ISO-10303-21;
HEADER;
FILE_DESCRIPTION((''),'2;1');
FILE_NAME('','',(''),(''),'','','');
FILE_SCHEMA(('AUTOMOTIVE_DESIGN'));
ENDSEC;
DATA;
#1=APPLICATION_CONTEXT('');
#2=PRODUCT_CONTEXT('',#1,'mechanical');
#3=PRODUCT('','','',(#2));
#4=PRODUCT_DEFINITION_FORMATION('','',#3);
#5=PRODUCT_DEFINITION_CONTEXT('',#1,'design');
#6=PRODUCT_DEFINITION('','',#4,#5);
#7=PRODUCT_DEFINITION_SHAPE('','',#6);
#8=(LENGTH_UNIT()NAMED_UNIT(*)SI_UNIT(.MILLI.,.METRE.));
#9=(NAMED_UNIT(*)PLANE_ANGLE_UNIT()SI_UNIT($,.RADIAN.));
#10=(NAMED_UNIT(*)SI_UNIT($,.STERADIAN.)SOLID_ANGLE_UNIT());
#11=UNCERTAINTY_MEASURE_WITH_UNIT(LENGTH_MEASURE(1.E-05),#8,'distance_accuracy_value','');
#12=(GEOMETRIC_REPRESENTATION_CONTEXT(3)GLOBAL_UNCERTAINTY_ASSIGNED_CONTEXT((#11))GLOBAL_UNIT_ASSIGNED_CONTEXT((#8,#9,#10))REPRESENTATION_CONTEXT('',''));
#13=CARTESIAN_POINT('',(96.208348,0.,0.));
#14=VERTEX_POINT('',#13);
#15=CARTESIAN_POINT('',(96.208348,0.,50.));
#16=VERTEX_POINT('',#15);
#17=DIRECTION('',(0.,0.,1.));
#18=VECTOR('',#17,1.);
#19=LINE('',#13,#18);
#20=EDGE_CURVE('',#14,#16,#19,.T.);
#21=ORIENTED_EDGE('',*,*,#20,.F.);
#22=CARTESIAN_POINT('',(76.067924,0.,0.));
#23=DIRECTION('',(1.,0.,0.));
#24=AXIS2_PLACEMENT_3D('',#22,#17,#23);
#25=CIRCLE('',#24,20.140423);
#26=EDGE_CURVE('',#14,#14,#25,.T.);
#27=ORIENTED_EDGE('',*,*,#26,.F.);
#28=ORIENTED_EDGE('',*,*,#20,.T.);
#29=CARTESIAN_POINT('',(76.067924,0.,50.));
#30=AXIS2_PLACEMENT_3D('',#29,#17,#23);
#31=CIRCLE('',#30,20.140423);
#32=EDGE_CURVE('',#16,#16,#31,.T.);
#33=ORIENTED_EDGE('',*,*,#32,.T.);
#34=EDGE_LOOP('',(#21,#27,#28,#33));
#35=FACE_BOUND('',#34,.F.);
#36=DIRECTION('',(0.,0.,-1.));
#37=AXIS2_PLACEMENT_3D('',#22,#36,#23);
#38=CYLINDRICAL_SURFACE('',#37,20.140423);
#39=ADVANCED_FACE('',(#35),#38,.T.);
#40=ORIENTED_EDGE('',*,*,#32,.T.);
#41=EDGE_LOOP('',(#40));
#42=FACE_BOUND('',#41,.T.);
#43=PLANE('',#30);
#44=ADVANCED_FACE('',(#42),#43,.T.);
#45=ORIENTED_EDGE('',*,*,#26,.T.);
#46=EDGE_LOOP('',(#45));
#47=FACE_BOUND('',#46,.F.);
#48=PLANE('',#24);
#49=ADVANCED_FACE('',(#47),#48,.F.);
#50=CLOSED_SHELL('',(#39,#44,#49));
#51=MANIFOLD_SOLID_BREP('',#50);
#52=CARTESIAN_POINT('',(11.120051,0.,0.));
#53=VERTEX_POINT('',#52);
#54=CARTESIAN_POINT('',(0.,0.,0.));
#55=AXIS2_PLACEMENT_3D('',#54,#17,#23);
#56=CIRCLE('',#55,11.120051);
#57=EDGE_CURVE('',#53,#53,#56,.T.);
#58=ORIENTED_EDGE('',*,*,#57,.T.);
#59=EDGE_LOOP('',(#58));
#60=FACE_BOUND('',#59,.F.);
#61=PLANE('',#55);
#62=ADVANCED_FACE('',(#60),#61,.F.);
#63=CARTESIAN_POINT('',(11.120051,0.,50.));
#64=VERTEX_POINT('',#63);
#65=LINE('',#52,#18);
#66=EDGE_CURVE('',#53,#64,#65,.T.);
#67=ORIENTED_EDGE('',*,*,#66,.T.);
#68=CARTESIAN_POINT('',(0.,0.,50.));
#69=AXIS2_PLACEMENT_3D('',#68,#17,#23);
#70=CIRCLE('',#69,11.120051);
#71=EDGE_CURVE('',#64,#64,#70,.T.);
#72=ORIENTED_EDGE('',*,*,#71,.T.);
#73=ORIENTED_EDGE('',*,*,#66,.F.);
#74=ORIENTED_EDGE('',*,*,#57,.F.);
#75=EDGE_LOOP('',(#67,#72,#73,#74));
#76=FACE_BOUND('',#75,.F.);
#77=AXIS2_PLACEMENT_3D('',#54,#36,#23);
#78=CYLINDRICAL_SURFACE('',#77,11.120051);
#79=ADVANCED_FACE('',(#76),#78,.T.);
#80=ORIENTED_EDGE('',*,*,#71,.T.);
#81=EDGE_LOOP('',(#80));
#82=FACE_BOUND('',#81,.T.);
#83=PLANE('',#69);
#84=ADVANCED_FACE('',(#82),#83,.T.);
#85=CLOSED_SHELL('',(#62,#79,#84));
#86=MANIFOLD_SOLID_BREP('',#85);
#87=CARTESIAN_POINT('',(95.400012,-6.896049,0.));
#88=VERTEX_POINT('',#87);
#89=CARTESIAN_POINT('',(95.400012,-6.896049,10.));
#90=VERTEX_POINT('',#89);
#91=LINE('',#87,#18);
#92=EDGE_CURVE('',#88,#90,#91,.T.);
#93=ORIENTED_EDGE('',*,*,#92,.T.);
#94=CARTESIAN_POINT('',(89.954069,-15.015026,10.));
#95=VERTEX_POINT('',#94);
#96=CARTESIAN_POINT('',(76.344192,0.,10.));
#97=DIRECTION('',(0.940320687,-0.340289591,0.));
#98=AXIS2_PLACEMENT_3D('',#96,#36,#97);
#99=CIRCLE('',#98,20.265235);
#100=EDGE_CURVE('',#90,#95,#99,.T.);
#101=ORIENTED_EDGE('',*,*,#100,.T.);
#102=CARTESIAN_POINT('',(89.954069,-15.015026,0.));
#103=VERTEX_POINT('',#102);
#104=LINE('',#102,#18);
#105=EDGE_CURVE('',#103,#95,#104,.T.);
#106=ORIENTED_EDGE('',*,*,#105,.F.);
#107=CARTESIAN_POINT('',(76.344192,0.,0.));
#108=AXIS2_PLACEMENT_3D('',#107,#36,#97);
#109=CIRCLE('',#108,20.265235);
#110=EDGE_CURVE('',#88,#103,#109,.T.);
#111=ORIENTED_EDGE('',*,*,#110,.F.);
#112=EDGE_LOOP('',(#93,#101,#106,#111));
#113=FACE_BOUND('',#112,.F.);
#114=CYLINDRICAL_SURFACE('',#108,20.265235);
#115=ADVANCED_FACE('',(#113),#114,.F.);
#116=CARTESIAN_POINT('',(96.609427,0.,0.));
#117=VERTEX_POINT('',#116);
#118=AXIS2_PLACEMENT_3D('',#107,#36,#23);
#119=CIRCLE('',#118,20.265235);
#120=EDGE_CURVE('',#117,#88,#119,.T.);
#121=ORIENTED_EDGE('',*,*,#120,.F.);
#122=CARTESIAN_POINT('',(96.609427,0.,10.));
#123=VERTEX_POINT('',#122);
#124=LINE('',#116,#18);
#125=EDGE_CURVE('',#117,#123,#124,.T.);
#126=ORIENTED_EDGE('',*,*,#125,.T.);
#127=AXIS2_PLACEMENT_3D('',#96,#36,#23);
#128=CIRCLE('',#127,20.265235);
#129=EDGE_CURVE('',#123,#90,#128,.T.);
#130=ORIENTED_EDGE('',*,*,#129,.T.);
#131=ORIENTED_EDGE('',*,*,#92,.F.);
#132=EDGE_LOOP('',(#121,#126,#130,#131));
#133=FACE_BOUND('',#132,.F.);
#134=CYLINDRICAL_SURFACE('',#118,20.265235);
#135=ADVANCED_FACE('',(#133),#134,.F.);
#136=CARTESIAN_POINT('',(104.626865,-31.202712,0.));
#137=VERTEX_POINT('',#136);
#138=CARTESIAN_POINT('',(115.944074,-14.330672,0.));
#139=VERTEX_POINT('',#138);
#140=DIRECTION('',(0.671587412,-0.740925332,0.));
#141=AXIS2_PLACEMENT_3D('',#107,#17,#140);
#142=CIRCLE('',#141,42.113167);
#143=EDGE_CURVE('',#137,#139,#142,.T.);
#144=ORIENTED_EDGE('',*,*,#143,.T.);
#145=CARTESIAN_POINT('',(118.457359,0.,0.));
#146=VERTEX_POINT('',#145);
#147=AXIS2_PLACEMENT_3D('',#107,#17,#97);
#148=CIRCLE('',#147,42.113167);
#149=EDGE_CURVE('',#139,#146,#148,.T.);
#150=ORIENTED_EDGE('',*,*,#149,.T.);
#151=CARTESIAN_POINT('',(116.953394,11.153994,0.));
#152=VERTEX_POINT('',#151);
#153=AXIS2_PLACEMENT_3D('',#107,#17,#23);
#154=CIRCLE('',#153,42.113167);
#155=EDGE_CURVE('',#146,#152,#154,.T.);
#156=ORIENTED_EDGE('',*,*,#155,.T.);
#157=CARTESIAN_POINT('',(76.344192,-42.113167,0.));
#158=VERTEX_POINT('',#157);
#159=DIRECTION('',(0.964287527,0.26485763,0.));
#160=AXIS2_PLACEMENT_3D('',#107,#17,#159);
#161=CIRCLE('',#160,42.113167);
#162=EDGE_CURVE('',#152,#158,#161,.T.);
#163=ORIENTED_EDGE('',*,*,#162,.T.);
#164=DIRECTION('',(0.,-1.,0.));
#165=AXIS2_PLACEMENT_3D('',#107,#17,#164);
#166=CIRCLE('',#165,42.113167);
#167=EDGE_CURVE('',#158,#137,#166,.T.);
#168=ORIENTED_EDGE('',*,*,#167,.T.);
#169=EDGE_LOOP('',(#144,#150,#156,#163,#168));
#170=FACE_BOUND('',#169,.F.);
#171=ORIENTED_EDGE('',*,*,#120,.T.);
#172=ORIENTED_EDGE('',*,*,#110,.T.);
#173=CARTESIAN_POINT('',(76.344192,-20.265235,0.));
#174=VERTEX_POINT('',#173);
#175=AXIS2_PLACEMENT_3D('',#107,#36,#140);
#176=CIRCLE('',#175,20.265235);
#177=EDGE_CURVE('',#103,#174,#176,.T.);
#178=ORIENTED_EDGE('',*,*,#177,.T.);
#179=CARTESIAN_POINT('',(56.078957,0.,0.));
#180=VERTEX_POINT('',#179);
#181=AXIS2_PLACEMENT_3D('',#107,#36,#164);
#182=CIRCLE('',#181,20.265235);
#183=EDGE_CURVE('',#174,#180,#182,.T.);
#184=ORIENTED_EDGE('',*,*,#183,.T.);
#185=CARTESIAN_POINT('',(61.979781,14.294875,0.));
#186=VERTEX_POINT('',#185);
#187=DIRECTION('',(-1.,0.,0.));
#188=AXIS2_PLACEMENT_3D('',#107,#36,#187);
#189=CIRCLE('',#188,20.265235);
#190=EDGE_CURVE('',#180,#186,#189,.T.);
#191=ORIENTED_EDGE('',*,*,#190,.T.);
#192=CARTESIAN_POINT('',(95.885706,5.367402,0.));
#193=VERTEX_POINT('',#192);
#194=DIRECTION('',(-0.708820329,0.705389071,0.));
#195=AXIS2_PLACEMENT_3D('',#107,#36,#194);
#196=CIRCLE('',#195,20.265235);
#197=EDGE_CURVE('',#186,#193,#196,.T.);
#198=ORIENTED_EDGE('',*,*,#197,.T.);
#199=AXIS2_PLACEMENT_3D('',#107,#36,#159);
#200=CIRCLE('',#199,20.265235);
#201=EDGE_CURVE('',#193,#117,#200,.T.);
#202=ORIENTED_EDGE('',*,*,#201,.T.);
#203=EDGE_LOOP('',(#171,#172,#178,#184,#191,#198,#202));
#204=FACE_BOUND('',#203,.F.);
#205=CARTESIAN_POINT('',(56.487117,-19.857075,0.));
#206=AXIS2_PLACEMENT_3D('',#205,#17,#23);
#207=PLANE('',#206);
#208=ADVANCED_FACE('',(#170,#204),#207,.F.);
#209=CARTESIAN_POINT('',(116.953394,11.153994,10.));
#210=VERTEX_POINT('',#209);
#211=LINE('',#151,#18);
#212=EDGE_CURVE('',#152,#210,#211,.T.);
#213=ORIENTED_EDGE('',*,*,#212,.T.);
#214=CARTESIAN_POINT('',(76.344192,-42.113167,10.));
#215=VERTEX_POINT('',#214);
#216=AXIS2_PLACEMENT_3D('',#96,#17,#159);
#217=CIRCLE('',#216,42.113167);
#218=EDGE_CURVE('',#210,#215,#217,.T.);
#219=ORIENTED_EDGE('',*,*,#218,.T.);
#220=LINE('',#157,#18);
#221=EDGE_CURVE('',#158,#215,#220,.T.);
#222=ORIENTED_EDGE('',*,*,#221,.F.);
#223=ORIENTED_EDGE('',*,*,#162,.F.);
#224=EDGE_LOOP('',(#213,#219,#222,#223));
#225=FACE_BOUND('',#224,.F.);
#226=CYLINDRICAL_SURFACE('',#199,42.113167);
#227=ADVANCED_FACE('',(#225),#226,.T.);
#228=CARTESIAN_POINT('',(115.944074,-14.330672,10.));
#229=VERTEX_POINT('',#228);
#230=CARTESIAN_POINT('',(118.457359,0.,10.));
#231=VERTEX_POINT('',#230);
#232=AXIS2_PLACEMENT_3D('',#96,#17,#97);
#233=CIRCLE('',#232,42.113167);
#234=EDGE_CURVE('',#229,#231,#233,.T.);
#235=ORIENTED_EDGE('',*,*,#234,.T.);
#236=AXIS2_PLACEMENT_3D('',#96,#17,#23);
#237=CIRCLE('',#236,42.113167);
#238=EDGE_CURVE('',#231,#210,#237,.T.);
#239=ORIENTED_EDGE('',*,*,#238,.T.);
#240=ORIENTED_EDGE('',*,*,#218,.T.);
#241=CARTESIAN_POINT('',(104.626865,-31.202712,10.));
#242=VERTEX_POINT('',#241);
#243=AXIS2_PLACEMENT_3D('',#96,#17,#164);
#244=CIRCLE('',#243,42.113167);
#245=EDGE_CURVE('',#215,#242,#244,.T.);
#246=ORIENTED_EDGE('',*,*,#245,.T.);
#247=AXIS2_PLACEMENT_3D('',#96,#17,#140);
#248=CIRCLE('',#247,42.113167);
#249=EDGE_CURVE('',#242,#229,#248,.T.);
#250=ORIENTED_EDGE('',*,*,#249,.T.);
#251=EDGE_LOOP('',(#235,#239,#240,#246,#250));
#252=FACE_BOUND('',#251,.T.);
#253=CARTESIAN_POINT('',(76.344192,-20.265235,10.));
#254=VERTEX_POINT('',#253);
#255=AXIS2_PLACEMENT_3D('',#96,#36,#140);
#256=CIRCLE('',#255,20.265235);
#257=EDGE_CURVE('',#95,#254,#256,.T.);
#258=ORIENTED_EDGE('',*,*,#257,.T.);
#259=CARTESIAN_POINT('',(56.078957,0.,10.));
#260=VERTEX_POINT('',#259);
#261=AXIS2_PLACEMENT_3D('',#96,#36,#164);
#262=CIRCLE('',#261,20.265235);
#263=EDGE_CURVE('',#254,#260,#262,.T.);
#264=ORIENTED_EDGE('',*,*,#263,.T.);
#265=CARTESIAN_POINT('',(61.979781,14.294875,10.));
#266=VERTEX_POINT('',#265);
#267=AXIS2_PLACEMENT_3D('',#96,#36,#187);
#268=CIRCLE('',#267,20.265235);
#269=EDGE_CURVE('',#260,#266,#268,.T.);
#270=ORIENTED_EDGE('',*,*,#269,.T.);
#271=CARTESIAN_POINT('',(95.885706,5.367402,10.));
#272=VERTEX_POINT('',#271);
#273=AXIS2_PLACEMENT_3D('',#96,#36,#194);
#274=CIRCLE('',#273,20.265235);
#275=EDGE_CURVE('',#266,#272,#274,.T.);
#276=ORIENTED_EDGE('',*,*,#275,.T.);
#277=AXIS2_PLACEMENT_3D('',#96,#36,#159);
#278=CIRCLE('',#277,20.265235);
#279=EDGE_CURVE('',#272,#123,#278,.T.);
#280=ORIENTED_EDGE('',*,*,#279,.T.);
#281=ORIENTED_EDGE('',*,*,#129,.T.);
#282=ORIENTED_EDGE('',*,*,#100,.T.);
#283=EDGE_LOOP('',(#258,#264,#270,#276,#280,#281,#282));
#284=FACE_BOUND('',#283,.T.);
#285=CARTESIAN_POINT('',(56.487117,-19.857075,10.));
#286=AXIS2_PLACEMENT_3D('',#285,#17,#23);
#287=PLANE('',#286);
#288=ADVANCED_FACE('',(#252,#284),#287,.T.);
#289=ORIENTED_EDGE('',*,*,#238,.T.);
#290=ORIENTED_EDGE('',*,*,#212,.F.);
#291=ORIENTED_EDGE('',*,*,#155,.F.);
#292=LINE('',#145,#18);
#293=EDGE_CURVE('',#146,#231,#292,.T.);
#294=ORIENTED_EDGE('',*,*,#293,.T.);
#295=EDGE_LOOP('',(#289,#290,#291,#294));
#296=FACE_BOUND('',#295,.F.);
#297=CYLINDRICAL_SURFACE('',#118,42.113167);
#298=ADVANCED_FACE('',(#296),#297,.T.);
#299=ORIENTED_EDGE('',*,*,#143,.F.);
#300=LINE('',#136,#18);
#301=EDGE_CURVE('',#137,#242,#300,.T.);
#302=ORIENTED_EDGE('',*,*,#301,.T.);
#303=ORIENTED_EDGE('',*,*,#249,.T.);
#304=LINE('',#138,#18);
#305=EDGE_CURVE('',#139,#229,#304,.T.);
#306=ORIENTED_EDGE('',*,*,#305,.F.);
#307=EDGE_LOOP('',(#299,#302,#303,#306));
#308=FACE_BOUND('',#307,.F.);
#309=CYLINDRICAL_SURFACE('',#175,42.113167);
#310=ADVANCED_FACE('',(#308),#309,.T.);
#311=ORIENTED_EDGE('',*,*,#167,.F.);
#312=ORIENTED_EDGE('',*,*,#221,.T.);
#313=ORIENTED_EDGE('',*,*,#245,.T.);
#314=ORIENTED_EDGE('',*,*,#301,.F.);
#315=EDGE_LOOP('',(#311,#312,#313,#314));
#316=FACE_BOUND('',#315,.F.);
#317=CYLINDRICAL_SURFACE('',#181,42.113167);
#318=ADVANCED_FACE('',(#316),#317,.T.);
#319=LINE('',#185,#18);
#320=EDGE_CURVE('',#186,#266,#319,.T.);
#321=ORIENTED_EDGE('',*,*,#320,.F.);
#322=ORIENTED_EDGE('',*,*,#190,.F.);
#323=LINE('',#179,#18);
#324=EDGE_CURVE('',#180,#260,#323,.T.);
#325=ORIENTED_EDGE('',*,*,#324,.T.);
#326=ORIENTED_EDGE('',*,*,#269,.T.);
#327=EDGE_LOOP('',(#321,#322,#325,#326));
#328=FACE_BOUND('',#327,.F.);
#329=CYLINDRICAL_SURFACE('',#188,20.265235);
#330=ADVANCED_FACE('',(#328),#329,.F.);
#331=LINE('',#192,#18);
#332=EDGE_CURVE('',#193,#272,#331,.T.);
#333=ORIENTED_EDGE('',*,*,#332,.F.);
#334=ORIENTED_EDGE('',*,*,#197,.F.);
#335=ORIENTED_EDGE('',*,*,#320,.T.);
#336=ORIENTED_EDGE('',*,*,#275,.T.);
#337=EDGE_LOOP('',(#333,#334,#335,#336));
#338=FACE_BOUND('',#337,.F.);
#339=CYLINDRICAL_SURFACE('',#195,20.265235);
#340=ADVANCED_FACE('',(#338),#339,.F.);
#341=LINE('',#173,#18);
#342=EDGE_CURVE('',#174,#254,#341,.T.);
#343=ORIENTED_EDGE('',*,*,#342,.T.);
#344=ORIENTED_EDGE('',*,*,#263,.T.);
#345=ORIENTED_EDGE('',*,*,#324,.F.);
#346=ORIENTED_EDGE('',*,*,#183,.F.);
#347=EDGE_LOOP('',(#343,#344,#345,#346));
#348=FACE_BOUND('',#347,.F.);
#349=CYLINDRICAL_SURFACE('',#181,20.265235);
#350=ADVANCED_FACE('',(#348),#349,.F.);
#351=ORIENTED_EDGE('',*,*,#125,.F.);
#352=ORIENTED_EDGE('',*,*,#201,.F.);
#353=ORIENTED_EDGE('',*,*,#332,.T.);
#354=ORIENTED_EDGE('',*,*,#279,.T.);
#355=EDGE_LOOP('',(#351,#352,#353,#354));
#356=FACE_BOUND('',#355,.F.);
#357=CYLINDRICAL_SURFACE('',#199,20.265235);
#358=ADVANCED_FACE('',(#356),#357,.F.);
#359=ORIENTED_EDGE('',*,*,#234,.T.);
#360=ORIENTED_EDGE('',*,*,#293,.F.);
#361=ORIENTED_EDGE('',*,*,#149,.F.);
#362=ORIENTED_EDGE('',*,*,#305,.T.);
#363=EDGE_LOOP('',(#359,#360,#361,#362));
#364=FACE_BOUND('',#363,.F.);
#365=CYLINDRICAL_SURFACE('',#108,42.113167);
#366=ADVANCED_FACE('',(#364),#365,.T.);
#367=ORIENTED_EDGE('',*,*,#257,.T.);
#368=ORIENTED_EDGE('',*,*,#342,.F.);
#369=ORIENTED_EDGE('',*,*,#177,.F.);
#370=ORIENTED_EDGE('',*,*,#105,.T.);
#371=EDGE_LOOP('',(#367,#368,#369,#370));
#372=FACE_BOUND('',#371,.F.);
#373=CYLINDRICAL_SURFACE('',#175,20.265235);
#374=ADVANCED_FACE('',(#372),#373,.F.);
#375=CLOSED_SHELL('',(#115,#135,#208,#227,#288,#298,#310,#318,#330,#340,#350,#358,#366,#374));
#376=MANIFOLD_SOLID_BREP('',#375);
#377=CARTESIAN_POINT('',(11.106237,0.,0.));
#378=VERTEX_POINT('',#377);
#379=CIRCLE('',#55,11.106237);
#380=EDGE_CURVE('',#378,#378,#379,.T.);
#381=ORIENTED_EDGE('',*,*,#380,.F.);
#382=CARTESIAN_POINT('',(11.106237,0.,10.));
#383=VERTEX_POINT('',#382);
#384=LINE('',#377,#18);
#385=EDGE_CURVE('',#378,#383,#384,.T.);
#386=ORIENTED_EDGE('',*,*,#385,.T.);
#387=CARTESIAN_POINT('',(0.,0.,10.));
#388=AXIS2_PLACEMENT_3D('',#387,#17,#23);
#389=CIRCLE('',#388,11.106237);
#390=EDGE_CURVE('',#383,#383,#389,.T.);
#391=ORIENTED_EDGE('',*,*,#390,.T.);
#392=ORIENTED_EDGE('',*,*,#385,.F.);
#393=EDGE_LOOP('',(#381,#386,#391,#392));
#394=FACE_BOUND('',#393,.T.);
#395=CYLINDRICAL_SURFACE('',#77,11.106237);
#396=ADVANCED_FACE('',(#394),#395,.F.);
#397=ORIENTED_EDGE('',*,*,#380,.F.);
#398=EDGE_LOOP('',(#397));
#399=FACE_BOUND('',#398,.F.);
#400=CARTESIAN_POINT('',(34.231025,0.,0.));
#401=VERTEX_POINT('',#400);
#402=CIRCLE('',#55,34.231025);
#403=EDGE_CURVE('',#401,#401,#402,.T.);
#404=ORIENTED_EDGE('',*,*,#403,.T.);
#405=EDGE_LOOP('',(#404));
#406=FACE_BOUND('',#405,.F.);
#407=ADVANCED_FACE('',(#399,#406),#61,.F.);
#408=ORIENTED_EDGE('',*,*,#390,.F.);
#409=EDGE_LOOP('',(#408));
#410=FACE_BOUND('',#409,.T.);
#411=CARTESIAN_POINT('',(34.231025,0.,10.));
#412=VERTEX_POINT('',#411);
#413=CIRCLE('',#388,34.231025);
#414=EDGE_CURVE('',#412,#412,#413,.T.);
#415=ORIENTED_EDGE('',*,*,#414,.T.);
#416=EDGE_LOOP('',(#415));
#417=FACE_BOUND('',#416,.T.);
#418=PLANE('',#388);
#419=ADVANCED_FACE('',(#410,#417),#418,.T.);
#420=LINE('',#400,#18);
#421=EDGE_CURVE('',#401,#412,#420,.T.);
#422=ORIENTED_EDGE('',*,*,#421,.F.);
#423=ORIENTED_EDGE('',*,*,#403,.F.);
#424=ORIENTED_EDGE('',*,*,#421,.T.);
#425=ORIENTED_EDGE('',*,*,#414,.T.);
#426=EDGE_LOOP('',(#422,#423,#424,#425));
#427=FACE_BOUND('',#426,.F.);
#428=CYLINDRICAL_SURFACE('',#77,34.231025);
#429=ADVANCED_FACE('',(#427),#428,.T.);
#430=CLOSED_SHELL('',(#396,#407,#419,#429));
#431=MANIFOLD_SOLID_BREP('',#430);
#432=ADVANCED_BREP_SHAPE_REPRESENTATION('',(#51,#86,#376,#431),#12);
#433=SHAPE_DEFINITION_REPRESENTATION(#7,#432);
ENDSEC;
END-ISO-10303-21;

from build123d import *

# Parameters (mm, degrees)
F0_R     = 34.2310248754
F0_R_2   = 11.1062371849
F1_DEPTH = 10
F2_R     = 11.1200511456
F3_DEPTH = 50
F2_R_2   = 20.1404233558


with BuildPart() as f1:
    # F0 (on Top) → F1 (new body)
    with BuildSketch(Plane.XY):
        Circle(F0_R)
        Circle(F0_R_2, mode=Mode.SUBTRACT)
    extrude(amount=F1_DEPTH)


with BuildPart() as f1b:
    # F0 (on Top) → F1, piece 2 (new body)
    with BuildSketch(Plane.XY):
        with BuildLine():
            Line((56.0789567465, 0), (34.2310248754, 0))
            ThreePointArc((34.2310248754, 0), (46.5656859572, -29.7785060709), (76.344192028, -42.1131671526))
            Line((76.344192028, -42.1131671526), (76.344192028, -20.2652352815))
            ThreePointArc((76.344192028, -20.2652352815), (62.0145067381, -14.3296852899), (56.0789567465, 0))
        make_face()
        with BuildLine():
            ThreePointArc((46.4935230312, 29.7061678455), (37.4171765972, 16.0687994969), (34.2310248754, 0))
            Line((34.2310248754, 0), (56.0789567465, 0))
            ThreePointArc((56.0789567465, 0), (57.6121616477, 7.7324510246), (61.9797812883, 14.2948754845))
            Line((61.9797812883, 14.2948754845), (46.4935230312, 29.7061678455))
        make_face()
        with BuildLine():
            Line((76.344192028, -20.2652352815), (76.344192028, -42.1131671526))
            ThreePointArc((76.344192028, -42.1131671526), (91.5012663794, -39.2909906306), (104.6268649587, -31.2027123744))
            Line((104.6268649587, -31.2027123744), (89.9540689403, -15.0150261888))
            ThreePointArc((89.9540689403, -15.0150261888), (83.6379127021, -18.9071785242), (76.344192028, -20.2652352815))
        make_face()
        with BuildLine():
            ThreePointArc((91.2459690531, 39.3885248406), (67.4388929292, 41.1608369155), (46.4935230312, 29.7061678455))
            Line((46.4935230312, 29.7061678455), (61.9797812883, 14.2948754845))
            ThreePointArc((61.9797812883, 14.2948754845), (72.0588819055, 19.8069653953), (83.5150613296, 18.9541128644))
            Line((83.5150613296, 18.9541128644), (91.2459690531, 39.3885248406))
        make_face()
        with BuildLine():
            Line((89.9540689403, -15.0150261888), (104.6268649587, -31.2027123744))
            ThreePointArc((104.6268649587, -31.2027123744), (111.3181360131, -23.4593710434), (115.9440742914, -14.330672432))
            Line((115.9440742914, -14.330672432), (95.4000119876, -6.8960486283))
            ThreePointArc((95.4000119876, -6.8960486283), (93.1739688295, -11.2888606081), (89.9540689403, -15.0150261888))
        make_face()
        with BuildLine():
            ThreePointArc((116.9533938564, 11.1539936563), (107.4836265302, 28.3523273561), (91.2459690531, 39.3885248406))
            Line((91.2459690531, 39.3885248406), (83.5150613296, 18.9541128644))
            ThreePointArc((83.5150613296, 18.9541128644), (91.3287683349, 13.643395249), (95.8857056517, 5.3674021941))
            Line((95.8857056517, 5.3674021941), (116.9533938564, 11.1539936563))
        make_face()
        with BuildLine():
            Line((95.4000119876, -6.8960486283), (115.9440742914, -14.330672432))
            ThreePointArc((115.9440742914, -14.330672432), (117.8242794713, -7.274695411), (118.4573591807, 0))
            ThreePointArc((118.4573591807, 0), (118.0796742474, 5.6274658191), (116.9533938564, 11.1539936563))
            Line((116.9533938564, 11.1539936563), (95.8857056517, 5.3674021941))
            ThreePointArc((95.8857056517, 5.3674021941), (96.4276819185, 2.70798723), (96.6094273096, 0))
            ThreePointArc((96.6094273096, 0), (96.3047836523, -3.5006489436), (95.4000119876, -6.8960486283))
        make_face()
    extrude(amount=F1_DEPTH)


with BuildPart() as f3:
    # F2 (on Top) → F3 (new body)
    with BuildSketch(Plane.XY):
        Circle(F2_R)
    extrude(amount=F3_DEPTH)


with BuildPart() as f3b:
    # F2 (on Top) → F3, piece 2 (new body)
    with BuildSketch(Plane.XY):
        with Locations((76.0679244995, 0)):
            Circle(F2_R_2)
    extrude(amount=F3_DEPTH)


solid = Compound([f1.part, f1b.part, f3.part, f3b.part])
